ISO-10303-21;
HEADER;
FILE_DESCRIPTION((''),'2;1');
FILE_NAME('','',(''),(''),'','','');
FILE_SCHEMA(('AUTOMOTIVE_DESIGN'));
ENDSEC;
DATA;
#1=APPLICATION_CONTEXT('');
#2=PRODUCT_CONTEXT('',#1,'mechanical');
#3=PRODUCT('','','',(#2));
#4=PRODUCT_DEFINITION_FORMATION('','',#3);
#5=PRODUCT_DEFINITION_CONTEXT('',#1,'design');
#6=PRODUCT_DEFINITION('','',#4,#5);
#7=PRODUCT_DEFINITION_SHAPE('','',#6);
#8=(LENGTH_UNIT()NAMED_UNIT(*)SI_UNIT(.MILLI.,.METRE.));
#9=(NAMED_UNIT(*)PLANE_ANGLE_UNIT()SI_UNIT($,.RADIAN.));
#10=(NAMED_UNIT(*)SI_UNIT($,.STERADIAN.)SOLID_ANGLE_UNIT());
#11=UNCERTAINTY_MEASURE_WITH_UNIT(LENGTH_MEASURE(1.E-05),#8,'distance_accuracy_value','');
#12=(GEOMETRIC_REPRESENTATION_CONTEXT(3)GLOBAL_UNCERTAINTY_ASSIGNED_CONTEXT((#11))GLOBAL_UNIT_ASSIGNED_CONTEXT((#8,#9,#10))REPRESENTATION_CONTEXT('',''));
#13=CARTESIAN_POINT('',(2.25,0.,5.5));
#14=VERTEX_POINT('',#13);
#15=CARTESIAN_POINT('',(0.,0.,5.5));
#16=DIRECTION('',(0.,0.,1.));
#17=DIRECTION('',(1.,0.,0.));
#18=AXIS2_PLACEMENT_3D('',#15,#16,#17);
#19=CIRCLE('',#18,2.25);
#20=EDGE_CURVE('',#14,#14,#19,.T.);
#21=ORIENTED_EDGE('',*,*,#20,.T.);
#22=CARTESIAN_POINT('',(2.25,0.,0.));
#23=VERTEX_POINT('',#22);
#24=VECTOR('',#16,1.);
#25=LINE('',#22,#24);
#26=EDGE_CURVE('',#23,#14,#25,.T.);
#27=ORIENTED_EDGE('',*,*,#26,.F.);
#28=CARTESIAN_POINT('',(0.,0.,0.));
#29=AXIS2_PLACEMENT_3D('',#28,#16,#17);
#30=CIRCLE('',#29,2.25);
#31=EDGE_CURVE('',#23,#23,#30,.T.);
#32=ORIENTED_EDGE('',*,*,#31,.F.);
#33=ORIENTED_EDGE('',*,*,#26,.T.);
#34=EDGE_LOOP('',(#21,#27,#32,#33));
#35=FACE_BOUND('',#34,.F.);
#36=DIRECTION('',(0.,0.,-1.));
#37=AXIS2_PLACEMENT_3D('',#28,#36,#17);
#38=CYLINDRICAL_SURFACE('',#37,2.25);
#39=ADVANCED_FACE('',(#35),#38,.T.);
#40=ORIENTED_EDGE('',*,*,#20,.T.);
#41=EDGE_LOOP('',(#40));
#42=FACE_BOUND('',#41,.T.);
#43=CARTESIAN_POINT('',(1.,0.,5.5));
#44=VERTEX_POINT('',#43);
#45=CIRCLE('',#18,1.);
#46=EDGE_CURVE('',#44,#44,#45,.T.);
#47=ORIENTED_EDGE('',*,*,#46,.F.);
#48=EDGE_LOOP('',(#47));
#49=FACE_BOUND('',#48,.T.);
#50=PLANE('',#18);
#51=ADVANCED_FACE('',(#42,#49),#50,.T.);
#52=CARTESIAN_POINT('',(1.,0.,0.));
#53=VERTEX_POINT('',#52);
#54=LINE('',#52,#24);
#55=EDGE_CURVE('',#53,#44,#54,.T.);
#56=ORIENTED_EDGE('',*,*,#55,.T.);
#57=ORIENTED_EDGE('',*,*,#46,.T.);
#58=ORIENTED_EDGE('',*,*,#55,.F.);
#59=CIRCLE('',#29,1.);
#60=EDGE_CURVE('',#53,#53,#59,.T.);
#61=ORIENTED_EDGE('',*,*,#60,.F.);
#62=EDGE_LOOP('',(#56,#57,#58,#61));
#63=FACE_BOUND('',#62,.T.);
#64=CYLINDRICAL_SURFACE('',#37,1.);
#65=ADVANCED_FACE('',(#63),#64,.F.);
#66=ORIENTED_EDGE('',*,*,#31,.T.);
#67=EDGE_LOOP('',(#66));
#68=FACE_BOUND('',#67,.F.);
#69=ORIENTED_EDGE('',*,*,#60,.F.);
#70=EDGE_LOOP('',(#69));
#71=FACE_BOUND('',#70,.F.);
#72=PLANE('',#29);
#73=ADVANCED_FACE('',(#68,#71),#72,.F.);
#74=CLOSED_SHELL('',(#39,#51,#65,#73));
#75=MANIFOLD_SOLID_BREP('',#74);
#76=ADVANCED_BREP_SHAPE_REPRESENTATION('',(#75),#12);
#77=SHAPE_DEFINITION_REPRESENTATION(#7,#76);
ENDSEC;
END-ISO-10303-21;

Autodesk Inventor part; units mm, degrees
ref_plane "YZ Plane" through (0, 0, 0) normal (1, 0, 0) x (0, 1, 0)
ref_plane "XZ Plane" through (0, 0, 0) normal (0, 1, 0) x (-1, 0, 0)
ref_plane "XY Plane" through (0, 0, 0) normal (0, 0, 1) x (1, 0, 0)
sketch "スケッチ1" plane through (0, 0, 0) normal (0, 0, 1) x (1, 0, 0)
  circle A0 centre (0, 0) radius 1
  circle A1 centre (0, 0) radius 2.25
  dimension "d0" = 2
  dimension "d1" = 4.5
extrude "押し出し1" add sketch "スケッチ1" along normal blind 5.5
properties part number "m2-5.5-spacer"
